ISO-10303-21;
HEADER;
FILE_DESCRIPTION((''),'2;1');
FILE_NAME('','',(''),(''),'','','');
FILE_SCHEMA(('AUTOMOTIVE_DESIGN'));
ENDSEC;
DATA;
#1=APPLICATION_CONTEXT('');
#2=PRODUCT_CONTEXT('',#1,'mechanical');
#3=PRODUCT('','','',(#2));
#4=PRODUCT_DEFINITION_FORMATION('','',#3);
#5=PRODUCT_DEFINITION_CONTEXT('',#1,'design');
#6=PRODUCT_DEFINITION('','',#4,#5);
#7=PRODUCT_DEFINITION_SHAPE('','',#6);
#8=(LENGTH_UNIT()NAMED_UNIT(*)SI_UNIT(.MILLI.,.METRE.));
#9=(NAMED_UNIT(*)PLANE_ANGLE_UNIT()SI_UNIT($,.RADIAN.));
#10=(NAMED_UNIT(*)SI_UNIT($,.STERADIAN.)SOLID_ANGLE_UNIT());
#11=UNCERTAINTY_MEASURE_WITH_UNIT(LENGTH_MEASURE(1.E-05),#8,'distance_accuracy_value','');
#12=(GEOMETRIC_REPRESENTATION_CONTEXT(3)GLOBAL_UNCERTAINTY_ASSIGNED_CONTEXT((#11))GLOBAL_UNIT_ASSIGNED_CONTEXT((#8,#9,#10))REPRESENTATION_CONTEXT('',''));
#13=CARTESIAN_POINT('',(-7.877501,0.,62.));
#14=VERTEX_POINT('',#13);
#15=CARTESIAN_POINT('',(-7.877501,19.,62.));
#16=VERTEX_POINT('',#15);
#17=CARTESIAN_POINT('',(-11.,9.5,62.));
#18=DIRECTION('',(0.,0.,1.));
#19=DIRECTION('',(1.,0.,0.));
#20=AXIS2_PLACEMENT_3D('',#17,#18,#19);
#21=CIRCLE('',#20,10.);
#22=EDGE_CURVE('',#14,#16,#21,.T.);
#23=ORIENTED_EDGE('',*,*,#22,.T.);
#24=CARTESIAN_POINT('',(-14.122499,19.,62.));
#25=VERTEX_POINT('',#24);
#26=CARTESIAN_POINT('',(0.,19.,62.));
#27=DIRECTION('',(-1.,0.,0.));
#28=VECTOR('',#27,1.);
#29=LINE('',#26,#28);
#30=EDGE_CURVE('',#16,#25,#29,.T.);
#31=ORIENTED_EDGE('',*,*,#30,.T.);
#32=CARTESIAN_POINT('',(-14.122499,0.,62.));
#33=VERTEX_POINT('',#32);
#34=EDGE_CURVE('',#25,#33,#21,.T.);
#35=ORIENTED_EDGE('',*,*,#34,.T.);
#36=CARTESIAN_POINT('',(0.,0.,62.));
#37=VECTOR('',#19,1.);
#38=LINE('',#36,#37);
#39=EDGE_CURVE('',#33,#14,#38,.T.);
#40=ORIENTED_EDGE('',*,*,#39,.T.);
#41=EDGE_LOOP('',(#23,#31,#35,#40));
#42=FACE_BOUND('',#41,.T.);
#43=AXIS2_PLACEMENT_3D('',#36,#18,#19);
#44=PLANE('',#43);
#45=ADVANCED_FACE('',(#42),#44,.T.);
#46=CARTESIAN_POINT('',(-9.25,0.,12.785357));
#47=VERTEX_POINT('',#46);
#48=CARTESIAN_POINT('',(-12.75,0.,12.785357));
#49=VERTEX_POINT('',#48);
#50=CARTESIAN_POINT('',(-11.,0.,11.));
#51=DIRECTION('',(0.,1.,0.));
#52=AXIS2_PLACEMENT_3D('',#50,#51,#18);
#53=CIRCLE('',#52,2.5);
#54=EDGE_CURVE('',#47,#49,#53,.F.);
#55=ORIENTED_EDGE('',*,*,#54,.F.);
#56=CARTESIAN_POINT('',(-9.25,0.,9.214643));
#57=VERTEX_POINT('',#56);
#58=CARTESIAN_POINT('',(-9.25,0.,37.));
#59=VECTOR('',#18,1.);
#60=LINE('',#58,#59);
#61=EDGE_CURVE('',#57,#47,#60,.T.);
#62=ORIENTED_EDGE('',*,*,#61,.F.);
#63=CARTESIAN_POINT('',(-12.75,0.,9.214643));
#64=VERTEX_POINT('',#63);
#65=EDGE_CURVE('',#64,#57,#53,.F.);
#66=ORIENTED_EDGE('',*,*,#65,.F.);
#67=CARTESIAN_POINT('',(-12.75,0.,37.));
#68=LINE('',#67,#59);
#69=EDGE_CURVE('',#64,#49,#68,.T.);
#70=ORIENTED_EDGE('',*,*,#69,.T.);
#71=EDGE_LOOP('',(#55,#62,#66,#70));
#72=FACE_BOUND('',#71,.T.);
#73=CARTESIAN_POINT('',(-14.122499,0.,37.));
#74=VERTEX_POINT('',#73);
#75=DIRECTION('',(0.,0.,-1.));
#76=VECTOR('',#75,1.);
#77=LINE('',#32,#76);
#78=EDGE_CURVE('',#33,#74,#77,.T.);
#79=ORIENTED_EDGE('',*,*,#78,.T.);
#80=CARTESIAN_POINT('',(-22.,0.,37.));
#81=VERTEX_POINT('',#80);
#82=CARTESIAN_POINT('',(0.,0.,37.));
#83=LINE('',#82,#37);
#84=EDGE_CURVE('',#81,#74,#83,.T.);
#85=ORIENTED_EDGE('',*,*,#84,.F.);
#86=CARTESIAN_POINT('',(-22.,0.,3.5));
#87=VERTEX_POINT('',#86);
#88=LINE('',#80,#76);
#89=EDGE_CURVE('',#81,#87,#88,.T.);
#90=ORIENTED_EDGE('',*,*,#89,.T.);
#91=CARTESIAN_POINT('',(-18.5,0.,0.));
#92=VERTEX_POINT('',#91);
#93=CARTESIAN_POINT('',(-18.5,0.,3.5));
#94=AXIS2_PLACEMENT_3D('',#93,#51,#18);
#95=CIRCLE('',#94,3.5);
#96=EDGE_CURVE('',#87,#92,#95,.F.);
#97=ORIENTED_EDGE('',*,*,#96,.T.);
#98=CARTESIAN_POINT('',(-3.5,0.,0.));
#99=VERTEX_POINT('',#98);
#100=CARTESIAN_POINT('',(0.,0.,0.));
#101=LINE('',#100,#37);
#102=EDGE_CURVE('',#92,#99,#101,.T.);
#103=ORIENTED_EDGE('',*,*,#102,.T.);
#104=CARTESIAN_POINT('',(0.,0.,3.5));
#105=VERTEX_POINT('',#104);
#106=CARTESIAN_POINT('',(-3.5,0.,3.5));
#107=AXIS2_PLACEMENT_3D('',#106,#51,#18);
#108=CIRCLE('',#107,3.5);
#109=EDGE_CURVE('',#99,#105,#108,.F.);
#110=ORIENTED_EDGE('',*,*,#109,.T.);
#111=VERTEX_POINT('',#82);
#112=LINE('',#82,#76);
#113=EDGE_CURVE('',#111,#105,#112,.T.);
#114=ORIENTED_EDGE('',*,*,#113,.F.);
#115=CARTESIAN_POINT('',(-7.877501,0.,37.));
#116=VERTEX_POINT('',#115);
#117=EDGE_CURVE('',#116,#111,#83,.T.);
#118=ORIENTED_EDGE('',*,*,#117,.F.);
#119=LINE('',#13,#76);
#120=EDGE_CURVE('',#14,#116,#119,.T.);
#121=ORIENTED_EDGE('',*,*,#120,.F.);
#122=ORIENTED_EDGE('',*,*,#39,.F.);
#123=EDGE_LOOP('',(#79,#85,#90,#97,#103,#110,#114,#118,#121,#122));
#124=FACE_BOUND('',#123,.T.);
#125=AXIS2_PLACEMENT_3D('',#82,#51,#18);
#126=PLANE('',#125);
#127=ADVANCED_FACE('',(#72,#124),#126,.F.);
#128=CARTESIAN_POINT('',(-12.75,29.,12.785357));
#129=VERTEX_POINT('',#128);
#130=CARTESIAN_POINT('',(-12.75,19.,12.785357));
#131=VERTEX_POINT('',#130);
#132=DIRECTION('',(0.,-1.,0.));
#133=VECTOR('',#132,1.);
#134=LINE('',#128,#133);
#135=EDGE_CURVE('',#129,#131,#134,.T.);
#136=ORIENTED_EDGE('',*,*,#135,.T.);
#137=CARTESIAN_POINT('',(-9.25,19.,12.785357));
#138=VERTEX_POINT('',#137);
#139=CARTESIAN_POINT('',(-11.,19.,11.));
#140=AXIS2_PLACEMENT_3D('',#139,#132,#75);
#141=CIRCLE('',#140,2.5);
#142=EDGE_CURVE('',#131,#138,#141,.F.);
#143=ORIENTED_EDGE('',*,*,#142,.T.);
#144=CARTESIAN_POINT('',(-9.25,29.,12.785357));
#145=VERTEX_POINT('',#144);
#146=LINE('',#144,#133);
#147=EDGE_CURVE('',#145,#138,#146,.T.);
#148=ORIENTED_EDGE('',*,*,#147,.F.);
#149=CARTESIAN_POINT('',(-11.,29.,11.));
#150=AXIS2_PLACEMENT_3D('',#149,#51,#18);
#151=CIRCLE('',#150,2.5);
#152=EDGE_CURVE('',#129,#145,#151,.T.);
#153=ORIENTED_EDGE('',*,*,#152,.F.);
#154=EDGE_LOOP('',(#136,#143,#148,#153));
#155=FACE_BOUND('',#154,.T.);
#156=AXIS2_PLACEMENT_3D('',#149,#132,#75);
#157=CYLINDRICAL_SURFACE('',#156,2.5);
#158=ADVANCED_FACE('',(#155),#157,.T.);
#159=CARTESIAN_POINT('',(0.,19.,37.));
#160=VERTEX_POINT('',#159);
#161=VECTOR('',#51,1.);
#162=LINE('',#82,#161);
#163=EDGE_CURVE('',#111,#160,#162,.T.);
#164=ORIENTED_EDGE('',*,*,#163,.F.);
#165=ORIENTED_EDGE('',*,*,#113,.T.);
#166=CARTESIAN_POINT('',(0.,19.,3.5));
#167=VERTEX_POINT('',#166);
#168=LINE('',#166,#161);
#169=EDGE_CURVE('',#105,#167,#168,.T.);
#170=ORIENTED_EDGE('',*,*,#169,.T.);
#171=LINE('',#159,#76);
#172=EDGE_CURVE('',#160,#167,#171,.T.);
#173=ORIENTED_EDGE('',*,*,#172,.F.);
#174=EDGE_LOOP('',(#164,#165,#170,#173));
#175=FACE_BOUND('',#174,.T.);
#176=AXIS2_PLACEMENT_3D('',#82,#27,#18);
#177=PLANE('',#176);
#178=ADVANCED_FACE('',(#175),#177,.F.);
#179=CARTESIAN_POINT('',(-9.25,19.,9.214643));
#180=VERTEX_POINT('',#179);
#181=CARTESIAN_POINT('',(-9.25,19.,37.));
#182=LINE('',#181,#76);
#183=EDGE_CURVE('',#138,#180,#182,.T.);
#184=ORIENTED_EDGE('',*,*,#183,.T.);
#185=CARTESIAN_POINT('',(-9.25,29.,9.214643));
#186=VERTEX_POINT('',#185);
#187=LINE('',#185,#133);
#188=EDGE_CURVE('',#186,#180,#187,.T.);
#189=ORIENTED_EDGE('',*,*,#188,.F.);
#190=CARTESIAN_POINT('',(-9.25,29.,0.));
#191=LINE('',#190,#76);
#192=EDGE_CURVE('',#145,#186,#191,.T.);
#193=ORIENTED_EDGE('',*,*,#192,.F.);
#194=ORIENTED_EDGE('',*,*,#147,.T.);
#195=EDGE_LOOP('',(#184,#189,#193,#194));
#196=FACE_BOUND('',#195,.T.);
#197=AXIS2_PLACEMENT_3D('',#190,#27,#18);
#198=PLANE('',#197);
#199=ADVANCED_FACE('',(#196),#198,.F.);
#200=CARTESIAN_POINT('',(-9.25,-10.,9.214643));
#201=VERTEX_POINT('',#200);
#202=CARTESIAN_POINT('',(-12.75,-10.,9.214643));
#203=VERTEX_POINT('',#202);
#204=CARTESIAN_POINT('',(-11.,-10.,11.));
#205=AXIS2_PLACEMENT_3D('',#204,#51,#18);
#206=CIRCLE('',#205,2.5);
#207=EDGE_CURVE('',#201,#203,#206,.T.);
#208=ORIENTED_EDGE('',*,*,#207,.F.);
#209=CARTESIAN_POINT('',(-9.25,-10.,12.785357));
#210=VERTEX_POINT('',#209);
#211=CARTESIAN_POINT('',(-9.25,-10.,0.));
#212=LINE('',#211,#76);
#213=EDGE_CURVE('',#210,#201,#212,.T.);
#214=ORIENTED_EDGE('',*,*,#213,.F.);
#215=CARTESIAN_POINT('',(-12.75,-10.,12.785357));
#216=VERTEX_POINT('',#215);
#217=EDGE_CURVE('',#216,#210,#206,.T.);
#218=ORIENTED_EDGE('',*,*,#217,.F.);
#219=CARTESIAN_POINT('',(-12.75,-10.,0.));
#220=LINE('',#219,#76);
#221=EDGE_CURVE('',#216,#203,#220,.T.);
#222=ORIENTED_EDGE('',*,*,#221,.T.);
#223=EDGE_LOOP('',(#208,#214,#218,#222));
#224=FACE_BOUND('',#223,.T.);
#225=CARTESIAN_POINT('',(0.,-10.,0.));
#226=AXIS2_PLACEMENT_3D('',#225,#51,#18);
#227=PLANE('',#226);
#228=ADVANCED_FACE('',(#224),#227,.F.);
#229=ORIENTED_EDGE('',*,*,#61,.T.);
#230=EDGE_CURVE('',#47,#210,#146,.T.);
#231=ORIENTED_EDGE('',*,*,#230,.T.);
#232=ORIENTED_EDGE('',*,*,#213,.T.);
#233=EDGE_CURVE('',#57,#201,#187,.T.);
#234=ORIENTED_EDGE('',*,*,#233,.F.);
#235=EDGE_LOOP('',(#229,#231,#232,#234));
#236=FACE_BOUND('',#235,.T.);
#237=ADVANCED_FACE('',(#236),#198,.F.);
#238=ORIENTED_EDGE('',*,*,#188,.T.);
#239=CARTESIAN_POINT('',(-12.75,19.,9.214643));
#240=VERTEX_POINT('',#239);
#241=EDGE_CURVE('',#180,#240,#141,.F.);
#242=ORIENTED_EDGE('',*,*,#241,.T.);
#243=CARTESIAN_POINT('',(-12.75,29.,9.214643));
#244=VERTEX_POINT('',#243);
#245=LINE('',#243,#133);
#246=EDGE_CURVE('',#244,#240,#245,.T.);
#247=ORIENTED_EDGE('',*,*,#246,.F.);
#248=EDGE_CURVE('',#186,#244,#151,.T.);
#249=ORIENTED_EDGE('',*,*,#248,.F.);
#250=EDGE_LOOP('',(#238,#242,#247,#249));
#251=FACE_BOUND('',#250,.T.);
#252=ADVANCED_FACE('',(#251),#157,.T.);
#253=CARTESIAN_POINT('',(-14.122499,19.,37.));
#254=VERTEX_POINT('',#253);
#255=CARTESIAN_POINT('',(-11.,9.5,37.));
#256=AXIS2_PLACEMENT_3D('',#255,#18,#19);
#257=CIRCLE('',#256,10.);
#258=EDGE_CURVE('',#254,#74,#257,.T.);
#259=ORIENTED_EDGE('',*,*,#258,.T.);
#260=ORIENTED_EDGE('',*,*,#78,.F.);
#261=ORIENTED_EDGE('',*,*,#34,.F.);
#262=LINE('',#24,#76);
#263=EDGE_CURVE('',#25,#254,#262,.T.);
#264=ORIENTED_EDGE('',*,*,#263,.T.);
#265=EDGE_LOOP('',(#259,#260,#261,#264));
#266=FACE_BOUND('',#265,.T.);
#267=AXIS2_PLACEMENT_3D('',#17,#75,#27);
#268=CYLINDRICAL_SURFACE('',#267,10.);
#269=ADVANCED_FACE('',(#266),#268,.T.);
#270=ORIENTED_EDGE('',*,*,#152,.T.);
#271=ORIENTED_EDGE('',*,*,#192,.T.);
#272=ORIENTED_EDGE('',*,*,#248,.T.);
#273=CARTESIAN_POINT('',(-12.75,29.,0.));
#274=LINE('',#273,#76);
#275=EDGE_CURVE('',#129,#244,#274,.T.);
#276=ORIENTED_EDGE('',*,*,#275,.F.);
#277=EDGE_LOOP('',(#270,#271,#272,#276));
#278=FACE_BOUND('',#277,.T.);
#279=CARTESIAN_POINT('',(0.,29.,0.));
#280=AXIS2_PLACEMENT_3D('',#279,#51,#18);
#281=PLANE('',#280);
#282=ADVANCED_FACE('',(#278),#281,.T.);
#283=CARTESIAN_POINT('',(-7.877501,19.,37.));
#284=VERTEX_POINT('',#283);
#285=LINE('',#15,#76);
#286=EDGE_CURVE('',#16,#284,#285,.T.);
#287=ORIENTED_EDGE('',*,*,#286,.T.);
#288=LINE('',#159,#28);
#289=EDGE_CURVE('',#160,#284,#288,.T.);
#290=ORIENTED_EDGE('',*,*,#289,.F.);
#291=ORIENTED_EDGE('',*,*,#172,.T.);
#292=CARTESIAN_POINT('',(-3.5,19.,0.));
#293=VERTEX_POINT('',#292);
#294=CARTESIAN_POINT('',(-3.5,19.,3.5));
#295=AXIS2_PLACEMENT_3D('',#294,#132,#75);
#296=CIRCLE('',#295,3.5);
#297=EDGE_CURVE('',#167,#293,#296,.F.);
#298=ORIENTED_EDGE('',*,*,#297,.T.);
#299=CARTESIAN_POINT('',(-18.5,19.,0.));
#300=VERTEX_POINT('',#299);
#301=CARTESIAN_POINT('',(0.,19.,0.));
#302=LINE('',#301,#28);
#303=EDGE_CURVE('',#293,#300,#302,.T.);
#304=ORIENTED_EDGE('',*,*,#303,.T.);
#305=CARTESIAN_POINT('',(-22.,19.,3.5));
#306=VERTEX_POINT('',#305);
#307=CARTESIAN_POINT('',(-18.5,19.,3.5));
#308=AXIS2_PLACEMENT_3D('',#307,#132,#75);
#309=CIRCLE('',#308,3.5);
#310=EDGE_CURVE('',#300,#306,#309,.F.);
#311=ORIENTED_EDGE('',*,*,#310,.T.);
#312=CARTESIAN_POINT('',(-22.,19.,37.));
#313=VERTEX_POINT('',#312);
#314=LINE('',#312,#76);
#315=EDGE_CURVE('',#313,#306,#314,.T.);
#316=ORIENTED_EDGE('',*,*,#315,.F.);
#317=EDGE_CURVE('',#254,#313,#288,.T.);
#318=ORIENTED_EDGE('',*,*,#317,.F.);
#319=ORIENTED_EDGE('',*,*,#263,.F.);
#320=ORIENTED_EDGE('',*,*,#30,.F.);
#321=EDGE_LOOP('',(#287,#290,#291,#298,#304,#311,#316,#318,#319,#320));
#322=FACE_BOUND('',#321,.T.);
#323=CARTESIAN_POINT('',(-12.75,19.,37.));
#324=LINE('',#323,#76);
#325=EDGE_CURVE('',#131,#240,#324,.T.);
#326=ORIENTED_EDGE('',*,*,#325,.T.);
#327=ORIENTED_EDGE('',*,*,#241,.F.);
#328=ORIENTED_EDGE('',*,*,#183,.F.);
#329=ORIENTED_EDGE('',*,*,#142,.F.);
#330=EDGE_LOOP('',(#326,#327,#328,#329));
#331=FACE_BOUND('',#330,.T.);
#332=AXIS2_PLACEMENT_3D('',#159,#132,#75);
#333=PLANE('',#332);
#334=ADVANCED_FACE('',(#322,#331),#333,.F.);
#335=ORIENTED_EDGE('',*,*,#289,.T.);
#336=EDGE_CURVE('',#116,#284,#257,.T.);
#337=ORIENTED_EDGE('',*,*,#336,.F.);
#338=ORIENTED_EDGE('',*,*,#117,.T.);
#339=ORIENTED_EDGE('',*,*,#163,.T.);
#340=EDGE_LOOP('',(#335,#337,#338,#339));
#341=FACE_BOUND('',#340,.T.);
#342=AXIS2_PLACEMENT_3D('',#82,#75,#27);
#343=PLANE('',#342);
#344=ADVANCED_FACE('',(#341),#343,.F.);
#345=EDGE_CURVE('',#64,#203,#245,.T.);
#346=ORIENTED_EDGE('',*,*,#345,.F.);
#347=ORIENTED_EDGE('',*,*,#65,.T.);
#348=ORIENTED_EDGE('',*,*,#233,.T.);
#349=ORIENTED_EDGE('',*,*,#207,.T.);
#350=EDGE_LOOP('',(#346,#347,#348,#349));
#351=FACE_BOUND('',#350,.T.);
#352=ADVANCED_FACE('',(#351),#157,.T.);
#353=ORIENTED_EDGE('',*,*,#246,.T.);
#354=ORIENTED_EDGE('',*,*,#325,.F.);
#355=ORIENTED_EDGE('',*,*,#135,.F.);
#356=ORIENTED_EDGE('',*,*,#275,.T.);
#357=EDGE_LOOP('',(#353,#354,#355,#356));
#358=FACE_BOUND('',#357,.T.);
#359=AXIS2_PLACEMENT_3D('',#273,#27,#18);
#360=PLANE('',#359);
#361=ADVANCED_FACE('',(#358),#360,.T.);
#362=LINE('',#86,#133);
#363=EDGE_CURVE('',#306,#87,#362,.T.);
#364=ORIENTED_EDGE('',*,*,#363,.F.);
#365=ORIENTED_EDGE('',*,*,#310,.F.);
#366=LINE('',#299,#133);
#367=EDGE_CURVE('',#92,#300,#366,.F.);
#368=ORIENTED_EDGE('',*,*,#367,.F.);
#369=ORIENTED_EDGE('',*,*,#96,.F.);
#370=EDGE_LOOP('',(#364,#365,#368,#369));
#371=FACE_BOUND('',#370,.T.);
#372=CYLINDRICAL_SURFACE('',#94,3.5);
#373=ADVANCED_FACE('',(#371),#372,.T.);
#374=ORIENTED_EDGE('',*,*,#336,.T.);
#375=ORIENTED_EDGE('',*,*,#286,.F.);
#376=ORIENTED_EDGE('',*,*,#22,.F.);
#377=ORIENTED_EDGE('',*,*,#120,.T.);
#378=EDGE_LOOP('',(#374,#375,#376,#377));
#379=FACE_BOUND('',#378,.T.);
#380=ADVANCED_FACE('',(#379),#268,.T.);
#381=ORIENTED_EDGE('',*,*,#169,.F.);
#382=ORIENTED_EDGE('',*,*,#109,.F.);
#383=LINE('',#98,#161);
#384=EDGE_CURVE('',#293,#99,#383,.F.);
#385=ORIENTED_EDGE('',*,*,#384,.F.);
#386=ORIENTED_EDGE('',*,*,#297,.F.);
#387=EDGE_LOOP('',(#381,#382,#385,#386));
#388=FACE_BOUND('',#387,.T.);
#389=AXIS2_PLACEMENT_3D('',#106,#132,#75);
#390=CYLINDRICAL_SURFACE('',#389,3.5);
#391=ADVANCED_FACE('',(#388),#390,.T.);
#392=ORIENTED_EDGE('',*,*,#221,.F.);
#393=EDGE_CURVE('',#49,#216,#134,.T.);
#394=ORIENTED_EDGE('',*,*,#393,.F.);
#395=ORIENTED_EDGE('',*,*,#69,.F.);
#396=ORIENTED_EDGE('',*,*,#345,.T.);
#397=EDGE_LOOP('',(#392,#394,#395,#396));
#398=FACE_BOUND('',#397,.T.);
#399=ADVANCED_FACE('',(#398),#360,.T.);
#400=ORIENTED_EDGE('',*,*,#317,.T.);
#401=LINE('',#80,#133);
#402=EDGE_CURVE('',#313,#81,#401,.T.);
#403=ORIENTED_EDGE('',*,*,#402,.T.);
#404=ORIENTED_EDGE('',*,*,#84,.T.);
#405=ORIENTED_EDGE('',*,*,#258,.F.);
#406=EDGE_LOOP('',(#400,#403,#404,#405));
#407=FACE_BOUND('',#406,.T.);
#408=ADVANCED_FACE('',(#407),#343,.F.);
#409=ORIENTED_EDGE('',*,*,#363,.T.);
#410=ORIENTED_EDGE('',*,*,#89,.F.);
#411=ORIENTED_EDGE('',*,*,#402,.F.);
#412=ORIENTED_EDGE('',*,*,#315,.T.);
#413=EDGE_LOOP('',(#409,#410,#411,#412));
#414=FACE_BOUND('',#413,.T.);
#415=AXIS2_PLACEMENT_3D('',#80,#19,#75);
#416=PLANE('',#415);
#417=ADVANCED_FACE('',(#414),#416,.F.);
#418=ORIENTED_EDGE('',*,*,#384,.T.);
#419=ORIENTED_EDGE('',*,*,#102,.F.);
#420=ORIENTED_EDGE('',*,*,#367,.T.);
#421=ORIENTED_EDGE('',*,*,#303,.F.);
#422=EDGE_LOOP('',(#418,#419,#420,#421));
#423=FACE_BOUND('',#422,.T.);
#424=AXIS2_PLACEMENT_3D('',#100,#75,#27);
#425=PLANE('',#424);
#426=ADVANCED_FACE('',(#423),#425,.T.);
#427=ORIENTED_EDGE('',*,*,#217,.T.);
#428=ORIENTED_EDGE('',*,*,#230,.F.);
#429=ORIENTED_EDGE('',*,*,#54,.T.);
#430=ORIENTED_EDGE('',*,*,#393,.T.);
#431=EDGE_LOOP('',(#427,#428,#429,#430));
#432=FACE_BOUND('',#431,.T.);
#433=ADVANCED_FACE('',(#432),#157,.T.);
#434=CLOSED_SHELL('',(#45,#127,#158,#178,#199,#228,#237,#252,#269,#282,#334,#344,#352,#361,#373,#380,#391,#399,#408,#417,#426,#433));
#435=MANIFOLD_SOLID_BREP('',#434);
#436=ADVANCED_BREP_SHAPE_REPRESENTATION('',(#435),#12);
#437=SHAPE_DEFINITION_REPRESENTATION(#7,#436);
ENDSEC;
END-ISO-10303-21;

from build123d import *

# Parameters (mm, degrees)
SKETCH1_W           = 19
SKETCH1_H           = 22
BOSS_EXTRUDE1_DEPTH = 37
FILLET1_R           = 3.5
BOSS_EXTRUDE2_DEPTH = 19.5
BOSS_EXTRUDE3_DEPTH = 25


with BuildPart() as part:
    # Sketch1 → Boss-Extrude1 (new body)
    with BuildSketch(Plane(origin=(0, 0, 0), x_dir=(0, 1, 0), z_dir=(0, 0, 1))):
        with Locations((9.5, 11)):
            Rectangle(SKETCH1_W, SKETCH1_H)
    extrude(amount=BOSS_EXTRUDE1_DEPTH)

    # Fillet1
    fillet1_edges = [part.edges().sort_by_distance(p)[0] for p in [
        (-22, 9.5, 0),
        (0, 9.5, 0),
    ]]
    fillet(fillet1_edges, radius=FILLET1_R)

    # Sketch2 → Boss-Extrude2 (add, symmetric)
    with BuildSketch(Plane(origin=(0, 9.5, 0), x_dir=(1, 0, 0), z_dir=(0, 1, 0))):
        with BuildLine():
            Line((-12.75, -9.214642893), (-12.75, -11))
            Line((-12.75, -11), (-12.75, -12.785357107))
            ThreePointArc((-12.75, -12.785357107), (-11, -13.5), (-9.25, -12.785357107))
            Line((-9.25, -12.785357107), (-9.25, -11))
            Line((-9.25, -11), (-9.25, -9.214642893))
            ThreePointArc((-9.25, -9.214642893), (-11, -8.5), (-12.75, -9.214642893))
        make_face()
    extrude(amount=BOSS_EXTRUDE2_DEPTH, both=True)

    # Sketch4 → Boss-Extrude3 (add)
    with BuildSketch(Plane.XY.offset(37)):
        with BuildLine():
            Line((-7.877501001, 19), (-11, 19))
            Line((-11, 19), (-11, 0))
            Line((-11, 0), (-7.877501001, 0))
            ThreePointArc((-7.877501001, 0), (-2.899845989, 3.635913967), (-1, 9.5))
            ThreePointArc((-1, 9.5), (-2.899845989, 15.364086033), (-7.877501001, 19))
        make_face()
        with BuildLine():
            Line((-11, 0), (-11, 19))
            Line((-11, 19), (-14.122498999, 19))
            ThreePointArc((-14.122498999, 19), (-21, 9.5), (-14.122498999, 0))
            Line((-14.122498999, 0), (-11, 0))
        make_face()
    extrude(amount=BOSS_EXTRUDE3_DEPTH)


solid = part.part
